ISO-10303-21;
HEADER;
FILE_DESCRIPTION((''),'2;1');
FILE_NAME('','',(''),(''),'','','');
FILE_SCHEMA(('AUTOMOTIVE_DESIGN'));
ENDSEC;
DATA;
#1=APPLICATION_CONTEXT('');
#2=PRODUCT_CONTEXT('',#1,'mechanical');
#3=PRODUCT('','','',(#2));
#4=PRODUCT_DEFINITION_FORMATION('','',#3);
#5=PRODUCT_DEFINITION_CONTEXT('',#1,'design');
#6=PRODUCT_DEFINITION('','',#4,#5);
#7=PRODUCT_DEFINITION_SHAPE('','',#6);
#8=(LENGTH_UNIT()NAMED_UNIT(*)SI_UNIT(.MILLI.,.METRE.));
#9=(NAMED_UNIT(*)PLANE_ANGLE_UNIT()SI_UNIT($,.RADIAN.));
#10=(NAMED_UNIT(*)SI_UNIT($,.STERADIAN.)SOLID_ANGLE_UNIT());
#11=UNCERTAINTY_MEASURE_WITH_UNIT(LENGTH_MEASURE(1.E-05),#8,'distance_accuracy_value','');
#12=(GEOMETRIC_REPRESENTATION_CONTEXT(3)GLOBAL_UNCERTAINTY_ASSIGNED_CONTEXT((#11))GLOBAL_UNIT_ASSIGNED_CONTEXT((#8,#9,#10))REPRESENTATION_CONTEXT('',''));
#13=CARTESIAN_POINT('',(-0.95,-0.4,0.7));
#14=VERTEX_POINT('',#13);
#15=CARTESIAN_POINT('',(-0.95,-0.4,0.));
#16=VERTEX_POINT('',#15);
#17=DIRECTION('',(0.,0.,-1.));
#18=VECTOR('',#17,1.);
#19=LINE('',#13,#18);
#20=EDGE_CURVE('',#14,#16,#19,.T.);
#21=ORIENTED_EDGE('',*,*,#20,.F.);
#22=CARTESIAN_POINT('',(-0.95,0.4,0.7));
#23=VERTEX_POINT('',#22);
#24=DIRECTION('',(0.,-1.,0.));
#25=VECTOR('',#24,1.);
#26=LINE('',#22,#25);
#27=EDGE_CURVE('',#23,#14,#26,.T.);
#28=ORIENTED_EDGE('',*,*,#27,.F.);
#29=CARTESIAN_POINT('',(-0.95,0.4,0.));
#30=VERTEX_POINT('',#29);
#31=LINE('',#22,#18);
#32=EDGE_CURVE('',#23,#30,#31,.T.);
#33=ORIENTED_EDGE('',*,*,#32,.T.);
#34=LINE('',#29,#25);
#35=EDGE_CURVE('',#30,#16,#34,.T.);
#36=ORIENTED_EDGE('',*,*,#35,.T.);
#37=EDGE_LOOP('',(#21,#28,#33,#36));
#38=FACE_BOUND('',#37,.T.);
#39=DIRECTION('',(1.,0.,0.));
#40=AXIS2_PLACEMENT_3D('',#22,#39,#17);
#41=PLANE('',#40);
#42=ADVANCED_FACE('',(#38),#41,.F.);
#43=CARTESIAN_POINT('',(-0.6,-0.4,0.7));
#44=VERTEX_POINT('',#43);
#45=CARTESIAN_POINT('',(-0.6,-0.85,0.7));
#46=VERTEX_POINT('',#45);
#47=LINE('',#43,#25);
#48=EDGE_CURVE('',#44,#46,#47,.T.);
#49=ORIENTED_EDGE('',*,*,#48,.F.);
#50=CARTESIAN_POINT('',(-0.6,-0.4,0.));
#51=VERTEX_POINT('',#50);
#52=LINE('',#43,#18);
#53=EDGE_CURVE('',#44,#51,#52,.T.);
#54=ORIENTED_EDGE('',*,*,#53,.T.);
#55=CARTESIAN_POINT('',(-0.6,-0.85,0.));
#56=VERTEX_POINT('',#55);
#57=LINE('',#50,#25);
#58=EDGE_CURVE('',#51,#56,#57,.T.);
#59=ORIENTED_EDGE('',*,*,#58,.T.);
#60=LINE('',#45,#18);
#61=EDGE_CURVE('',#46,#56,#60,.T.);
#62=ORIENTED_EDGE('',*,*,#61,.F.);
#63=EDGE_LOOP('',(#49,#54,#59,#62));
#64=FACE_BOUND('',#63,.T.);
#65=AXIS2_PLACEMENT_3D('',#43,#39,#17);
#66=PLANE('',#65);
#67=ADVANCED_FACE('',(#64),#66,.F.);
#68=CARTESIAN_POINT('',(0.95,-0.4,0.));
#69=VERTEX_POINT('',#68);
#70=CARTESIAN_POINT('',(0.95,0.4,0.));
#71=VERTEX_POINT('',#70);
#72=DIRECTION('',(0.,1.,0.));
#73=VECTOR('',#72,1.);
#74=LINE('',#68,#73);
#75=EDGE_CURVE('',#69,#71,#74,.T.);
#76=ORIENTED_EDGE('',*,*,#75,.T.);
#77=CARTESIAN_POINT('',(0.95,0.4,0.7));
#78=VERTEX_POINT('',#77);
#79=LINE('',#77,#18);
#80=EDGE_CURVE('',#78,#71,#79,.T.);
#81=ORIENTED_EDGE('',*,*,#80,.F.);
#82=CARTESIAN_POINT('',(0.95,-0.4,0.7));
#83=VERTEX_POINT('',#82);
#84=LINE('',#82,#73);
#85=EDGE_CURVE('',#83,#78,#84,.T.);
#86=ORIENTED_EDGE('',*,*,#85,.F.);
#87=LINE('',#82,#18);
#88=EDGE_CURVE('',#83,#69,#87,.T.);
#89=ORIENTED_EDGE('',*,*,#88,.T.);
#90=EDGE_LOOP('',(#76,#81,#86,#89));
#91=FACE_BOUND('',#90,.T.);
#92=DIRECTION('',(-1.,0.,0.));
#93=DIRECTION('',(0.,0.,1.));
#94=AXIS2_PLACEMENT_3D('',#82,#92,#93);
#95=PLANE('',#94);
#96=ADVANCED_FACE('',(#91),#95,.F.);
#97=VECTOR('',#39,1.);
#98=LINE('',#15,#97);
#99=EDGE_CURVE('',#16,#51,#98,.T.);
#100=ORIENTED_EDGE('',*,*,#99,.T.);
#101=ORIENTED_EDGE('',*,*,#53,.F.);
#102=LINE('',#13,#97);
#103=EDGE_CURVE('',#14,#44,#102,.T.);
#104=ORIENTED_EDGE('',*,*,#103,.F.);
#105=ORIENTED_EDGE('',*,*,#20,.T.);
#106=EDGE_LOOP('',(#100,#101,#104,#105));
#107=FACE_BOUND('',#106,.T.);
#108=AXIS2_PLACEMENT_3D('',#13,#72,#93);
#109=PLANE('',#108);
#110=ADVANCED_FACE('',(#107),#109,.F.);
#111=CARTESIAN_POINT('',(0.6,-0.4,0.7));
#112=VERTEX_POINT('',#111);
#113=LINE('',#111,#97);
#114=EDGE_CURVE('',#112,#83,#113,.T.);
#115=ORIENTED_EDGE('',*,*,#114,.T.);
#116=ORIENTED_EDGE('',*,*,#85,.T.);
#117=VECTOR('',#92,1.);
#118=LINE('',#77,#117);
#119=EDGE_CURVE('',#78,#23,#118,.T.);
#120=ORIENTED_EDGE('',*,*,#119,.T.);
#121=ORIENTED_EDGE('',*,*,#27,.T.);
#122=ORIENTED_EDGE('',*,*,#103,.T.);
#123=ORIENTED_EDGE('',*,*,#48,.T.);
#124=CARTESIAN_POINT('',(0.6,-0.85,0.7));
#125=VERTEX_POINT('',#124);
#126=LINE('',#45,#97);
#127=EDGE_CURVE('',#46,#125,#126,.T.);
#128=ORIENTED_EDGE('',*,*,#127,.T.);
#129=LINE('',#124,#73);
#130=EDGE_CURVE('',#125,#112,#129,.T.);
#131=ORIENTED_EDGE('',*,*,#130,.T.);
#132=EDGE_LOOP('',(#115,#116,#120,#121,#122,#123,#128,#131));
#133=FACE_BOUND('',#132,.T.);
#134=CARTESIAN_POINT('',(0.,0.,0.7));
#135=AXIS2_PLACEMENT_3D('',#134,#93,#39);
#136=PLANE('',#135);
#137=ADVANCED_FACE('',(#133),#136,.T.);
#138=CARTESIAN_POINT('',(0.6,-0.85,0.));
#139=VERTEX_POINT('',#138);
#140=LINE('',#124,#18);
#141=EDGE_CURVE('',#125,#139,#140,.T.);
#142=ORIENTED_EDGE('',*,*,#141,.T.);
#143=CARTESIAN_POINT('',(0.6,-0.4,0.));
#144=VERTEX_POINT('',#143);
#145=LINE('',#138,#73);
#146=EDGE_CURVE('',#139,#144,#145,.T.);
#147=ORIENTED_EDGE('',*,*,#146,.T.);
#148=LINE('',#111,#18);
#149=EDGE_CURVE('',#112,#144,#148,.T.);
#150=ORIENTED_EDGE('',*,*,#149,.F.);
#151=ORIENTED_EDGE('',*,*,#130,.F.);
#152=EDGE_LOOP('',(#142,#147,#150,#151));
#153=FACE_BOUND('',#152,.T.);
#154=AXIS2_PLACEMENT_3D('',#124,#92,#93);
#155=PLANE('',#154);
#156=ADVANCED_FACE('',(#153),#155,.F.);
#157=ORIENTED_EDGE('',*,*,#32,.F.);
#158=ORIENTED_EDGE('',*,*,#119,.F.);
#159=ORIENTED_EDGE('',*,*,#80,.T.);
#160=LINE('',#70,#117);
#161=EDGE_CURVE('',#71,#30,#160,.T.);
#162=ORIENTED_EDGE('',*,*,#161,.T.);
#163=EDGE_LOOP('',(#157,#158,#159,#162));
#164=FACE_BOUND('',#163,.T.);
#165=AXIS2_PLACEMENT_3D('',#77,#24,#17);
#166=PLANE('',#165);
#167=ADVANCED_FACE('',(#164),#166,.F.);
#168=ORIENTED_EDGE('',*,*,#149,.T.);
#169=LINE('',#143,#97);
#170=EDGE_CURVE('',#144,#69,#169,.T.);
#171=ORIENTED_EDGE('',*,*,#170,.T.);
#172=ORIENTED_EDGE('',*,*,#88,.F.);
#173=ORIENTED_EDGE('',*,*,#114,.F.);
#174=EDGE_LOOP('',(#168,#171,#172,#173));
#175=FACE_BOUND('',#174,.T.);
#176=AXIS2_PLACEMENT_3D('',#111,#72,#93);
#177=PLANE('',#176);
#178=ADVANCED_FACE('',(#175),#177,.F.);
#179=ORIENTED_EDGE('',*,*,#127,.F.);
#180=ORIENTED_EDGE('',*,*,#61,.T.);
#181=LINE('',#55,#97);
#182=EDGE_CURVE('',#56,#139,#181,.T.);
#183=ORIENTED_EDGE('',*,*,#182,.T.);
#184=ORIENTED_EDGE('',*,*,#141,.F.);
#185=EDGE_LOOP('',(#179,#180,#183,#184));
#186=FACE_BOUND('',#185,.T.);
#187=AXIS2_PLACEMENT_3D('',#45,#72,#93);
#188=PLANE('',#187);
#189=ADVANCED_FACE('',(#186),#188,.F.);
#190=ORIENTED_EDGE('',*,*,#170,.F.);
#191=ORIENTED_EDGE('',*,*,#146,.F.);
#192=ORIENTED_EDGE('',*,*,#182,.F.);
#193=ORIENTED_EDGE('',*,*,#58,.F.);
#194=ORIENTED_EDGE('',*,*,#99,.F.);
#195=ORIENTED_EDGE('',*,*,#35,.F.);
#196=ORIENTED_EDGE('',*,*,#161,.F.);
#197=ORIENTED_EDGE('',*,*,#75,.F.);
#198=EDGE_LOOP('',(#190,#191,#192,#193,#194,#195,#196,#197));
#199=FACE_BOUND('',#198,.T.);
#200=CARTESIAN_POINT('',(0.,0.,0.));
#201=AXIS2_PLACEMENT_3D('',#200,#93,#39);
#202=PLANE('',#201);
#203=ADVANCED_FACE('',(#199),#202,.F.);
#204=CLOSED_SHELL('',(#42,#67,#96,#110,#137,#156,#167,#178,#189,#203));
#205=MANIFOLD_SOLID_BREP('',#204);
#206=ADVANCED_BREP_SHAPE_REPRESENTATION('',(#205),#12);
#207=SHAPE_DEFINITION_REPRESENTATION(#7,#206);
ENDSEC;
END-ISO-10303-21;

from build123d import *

# Parameters (mm, degrees)
COMPONENT_OUTLINE_DEPTH = 0.7


with BuildPart() as part:
    # 草图1 → Component_Outline (new body)
    with BuildSketch(Plane.XY):
        Polygon((0.95, 0.4), (-0.95, 0.4), (-0.95, -0.4), (-0.6, -0.4), (-0.6, -0.85), (0.6, -0.85), (0.6, -0.4), (0.95, -0.4), align=None)
    extrude(amount=COMPONENT_OUTLINE_DEPTH)


solid = part.part
